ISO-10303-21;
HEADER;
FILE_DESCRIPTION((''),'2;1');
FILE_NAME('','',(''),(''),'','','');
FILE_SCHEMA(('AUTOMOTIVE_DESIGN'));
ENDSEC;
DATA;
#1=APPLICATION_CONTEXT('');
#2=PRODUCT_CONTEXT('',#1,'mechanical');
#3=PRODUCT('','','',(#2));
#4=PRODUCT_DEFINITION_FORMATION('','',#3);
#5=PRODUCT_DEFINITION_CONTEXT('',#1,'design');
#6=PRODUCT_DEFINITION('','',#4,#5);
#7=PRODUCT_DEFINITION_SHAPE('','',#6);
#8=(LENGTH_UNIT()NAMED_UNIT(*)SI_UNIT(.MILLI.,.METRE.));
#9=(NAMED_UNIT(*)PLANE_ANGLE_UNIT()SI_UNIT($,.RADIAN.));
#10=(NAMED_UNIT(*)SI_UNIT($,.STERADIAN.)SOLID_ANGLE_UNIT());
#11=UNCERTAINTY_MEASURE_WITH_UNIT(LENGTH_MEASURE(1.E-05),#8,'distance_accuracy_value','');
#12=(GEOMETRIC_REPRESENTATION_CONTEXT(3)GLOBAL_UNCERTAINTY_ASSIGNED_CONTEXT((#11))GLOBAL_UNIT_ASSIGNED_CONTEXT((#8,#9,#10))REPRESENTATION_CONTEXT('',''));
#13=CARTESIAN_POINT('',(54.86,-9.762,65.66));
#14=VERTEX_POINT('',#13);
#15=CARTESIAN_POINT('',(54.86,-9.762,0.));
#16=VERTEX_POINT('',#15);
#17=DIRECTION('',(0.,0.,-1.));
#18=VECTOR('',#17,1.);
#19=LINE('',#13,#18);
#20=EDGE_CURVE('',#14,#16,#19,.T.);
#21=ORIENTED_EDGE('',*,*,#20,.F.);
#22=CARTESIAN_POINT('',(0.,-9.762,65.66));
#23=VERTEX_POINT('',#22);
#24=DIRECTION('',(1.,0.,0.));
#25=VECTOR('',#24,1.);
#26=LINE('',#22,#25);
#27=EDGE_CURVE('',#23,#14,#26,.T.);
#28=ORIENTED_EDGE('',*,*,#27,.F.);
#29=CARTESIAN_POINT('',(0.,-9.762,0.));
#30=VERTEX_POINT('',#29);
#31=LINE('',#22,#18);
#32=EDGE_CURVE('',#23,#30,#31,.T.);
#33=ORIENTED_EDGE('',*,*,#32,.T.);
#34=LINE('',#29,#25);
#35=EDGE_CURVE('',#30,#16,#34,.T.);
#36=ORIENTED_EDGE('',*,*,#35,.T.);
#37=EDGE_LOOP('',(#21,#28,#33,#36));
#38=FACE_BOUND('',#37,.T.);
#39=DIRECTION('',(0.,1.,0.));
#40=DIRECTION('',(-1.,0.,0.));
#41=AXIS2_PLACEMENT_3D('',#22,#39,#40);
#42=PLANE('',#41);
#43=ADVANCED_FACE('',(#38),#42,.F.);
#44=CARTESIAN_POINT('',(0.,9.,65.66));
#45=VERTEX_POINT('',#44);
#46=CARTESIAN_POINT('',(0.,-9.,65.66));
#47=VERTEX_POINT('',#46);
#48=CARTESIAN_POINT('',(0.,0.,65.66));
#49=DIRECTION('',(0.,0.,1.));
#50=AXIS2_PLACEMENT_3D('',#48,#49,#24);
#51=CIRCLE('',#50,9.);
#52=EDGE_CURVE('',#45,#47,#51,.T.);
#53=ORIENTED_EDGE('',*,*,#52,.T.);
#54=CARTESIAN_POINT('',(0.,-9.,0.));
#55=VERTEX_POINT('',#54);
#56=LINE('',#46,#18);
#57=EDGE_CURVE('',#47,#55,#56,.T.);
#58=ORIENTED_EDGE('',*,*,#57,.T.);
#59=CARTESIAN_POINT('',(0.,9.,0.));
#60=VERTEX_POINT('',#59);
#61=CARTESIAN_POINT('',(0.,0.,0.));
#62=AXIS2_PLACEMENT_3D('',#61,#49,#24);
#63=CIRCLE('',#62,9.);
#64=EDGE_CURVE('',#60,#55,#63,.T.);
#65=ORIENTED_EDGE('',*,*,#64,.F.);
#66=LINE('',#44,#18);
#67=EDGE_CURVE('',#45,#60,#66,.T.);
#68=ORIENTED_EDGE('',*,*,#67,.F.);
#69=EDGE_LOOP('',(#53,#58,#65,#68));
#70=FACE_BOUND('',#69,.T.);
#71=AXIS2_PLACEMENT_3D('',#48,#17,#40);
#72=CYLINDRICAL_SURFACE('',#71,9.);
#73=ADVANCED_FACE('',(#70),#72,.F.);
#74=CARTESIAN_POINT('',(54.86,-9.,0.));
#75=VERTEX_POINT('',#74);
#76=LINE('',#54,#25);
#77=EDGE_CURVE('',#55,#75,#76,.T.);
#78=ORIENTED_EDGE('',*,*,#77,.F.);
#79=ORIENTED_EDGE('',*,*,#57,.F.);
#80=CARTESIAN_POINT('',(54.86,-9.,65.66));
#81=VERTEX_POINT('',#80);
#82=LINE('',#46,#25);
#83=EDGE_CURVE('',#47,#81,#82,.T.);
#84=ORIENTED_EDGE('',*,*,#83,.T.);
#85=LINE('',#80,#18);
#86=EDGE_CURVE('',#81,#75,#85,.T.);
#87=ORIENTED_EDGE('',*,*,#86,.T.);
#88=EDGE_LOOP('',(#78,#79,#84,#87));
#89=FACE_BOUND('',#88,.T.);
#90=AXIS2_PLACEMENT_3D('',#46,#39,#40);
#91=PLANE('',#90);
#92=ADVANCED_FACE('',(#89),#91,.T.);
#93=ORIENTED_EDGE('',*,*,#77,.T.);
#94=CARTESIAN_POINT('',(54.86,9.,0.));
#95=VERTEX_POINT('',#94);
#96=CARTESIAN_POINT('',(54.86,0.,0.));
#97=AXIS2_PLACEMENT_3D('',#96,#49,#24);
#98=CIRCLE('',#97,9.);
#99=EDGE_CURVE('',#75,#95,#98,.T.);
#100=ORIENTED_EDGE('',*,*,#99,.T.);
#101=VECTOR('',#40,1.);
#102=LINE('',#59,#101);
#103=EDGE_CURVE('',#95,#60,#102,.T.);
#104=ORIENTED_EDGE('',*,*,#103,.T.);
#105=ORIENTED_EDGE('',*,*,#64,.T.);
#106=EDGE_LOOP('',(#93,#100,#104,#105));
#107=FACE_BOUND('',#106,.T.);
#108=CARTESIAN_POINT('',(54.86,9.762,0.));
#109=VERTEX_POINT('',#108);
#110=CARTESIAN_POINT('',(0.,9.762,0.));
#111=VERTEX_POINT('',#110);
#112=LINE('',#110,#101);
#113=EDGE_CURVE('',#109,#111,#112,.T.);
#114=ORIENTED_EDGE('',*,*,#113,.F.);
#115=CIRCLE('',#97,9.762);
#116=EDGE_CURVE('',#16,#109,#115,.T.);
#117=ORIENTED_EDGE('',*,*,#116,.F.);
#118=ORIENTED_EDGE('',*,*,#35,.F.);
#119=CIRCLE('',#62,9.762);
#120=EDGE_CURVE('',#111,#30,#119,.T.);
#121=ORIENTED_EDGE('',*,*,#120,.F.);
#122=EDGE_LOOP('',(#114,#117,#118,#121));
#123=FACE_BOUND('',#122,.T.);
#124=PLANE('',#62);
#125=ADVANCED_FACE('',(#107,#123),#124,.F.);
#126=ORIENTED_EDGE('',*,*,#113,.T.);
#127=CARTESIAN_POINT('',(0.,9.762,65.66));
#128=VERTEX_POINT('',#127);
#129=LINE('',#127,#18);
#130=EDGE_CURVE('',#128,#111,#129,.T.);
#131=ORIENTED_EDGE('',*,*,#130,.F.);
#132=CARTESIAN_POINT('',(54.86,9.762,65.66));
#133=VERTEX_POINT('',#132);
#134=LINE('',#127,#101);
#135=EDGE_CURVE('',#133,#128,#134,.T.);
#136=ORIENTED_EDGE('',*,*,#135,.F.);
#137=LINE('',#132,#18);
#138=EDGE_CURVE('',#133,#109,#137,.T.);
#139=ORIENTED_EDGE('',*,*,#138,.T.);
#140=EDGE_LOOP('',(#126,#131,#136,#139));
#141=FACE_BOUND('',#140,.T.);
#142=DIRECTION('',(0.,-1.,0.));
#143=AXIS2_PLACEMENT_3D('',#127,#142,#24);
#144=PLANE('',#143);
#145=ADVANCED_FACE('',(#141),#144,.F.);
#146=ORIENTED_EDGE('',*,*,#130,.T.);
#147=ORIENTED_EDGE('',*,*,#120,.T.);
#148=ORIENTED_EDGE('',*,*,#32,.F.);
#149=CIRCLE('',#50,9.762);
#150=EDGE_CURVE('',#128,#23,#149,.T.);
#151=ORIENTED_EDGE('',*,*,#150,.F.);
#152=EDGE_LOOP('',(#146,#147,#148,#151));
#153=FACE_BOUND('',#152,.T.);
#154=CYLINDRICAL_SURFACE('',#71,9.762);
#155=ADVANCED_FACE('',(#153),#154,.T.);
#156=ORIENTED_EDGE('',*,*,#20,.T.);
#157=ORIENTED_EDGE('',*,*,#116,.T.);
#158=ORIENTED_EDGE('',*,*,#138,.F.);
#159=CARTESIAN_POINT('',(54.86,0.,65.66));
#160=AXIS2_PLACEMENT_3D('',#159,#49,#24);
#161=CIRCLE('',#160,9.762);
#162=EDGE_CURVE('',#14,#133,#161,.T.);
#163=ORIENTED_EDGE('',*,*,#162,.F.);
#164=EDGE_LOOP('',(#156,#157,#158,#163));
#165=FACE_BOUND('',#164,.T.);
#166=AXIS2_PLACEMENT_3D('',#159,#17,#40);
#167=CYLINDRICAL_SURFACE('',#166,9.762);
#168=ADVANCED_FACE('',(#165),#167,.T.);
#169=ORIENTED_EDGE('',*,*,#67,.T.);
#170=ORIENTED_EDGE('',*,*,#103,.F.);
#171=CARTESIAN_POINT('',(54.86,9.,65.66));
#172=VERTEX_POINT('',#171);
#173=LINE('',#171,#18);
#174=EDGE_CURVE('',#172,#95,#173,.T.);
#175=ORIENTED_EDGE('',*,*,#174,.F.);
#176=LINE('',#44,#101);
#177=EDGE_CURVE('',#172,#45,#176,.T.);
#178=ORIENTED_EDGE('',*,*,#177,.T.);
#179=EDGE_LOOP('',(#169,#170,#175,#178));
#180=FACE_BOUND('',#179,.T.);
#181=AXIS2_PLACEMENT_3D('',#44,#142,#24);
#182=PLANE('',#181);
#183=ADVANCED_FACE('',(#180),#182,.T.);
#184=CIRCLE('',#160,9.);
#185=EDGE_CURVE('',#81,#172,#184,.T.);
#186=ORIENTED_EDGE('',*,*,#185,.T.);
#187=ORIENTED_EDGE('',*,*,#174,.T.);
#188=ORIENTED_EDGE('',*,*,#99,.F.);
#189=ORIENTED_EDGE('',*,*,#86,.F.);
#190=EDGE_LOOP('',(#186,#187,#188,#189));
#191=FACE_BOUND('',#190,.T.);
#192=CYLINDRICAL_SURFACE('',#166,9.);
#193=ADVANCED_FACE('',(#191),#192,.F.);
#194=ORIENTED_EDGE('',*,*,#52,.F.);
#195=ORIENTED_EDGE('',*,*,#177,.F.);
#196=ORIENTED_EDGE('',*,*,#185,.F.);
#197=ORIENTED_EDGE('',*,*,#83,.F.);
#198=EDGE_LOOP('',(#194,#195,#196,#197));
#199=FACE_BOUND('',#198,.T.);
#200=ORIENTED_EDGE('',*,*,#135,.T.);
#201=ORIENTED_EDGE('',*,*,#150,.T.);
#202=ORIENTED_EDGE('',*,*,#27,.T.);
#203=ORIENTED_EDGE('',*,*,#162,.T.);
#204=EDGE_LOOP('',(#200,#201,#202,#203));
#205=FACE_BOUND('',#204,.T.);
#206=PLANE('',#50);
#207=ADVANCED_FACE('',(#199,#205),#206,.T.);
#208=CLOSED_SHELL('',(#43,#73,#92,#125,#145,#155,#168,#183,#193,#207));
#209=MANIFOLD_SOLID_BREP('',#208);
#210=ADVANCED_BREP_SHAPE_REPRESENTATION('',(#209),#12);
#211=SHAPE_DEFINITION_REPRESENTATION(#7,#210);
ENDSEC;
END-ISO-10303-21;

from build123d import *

# Parameters (mm, degrees)
EXTRUDE_THIN1_DEPTH = 65.66


with BuildPart() as part:
    # Sketch1 → Extrude-Thin1 (new body)
    with BuildSketch(Plane.XY):
        with BuildLine():
            Line((54.86, -9.762), (0, -9.762))
            ThreePointArc((0, -9.762), (-9.762, 0), (0, 9.762))
            Line((0, 9.762), (54.86, 9.762))
            ThreePointArc((54.86, 9.762), (64.622, 0), (54.86, -9.762))
        make_face()
        with BuildLine():
            Line((54.86, -9), (0, -9))
            ThreePointArc((0, -9), (-9, 0), (0, 9))
            Line((0, 9), (54.86, 9))
            ThreePointArc((54.86, 9), (63.86, 0), (54.86, -9))
        make_face(mode=Mode.SUBTRACT)
    extrude(amount=EXTRUDE_THIN1_DEPTH)


solid = part.part
